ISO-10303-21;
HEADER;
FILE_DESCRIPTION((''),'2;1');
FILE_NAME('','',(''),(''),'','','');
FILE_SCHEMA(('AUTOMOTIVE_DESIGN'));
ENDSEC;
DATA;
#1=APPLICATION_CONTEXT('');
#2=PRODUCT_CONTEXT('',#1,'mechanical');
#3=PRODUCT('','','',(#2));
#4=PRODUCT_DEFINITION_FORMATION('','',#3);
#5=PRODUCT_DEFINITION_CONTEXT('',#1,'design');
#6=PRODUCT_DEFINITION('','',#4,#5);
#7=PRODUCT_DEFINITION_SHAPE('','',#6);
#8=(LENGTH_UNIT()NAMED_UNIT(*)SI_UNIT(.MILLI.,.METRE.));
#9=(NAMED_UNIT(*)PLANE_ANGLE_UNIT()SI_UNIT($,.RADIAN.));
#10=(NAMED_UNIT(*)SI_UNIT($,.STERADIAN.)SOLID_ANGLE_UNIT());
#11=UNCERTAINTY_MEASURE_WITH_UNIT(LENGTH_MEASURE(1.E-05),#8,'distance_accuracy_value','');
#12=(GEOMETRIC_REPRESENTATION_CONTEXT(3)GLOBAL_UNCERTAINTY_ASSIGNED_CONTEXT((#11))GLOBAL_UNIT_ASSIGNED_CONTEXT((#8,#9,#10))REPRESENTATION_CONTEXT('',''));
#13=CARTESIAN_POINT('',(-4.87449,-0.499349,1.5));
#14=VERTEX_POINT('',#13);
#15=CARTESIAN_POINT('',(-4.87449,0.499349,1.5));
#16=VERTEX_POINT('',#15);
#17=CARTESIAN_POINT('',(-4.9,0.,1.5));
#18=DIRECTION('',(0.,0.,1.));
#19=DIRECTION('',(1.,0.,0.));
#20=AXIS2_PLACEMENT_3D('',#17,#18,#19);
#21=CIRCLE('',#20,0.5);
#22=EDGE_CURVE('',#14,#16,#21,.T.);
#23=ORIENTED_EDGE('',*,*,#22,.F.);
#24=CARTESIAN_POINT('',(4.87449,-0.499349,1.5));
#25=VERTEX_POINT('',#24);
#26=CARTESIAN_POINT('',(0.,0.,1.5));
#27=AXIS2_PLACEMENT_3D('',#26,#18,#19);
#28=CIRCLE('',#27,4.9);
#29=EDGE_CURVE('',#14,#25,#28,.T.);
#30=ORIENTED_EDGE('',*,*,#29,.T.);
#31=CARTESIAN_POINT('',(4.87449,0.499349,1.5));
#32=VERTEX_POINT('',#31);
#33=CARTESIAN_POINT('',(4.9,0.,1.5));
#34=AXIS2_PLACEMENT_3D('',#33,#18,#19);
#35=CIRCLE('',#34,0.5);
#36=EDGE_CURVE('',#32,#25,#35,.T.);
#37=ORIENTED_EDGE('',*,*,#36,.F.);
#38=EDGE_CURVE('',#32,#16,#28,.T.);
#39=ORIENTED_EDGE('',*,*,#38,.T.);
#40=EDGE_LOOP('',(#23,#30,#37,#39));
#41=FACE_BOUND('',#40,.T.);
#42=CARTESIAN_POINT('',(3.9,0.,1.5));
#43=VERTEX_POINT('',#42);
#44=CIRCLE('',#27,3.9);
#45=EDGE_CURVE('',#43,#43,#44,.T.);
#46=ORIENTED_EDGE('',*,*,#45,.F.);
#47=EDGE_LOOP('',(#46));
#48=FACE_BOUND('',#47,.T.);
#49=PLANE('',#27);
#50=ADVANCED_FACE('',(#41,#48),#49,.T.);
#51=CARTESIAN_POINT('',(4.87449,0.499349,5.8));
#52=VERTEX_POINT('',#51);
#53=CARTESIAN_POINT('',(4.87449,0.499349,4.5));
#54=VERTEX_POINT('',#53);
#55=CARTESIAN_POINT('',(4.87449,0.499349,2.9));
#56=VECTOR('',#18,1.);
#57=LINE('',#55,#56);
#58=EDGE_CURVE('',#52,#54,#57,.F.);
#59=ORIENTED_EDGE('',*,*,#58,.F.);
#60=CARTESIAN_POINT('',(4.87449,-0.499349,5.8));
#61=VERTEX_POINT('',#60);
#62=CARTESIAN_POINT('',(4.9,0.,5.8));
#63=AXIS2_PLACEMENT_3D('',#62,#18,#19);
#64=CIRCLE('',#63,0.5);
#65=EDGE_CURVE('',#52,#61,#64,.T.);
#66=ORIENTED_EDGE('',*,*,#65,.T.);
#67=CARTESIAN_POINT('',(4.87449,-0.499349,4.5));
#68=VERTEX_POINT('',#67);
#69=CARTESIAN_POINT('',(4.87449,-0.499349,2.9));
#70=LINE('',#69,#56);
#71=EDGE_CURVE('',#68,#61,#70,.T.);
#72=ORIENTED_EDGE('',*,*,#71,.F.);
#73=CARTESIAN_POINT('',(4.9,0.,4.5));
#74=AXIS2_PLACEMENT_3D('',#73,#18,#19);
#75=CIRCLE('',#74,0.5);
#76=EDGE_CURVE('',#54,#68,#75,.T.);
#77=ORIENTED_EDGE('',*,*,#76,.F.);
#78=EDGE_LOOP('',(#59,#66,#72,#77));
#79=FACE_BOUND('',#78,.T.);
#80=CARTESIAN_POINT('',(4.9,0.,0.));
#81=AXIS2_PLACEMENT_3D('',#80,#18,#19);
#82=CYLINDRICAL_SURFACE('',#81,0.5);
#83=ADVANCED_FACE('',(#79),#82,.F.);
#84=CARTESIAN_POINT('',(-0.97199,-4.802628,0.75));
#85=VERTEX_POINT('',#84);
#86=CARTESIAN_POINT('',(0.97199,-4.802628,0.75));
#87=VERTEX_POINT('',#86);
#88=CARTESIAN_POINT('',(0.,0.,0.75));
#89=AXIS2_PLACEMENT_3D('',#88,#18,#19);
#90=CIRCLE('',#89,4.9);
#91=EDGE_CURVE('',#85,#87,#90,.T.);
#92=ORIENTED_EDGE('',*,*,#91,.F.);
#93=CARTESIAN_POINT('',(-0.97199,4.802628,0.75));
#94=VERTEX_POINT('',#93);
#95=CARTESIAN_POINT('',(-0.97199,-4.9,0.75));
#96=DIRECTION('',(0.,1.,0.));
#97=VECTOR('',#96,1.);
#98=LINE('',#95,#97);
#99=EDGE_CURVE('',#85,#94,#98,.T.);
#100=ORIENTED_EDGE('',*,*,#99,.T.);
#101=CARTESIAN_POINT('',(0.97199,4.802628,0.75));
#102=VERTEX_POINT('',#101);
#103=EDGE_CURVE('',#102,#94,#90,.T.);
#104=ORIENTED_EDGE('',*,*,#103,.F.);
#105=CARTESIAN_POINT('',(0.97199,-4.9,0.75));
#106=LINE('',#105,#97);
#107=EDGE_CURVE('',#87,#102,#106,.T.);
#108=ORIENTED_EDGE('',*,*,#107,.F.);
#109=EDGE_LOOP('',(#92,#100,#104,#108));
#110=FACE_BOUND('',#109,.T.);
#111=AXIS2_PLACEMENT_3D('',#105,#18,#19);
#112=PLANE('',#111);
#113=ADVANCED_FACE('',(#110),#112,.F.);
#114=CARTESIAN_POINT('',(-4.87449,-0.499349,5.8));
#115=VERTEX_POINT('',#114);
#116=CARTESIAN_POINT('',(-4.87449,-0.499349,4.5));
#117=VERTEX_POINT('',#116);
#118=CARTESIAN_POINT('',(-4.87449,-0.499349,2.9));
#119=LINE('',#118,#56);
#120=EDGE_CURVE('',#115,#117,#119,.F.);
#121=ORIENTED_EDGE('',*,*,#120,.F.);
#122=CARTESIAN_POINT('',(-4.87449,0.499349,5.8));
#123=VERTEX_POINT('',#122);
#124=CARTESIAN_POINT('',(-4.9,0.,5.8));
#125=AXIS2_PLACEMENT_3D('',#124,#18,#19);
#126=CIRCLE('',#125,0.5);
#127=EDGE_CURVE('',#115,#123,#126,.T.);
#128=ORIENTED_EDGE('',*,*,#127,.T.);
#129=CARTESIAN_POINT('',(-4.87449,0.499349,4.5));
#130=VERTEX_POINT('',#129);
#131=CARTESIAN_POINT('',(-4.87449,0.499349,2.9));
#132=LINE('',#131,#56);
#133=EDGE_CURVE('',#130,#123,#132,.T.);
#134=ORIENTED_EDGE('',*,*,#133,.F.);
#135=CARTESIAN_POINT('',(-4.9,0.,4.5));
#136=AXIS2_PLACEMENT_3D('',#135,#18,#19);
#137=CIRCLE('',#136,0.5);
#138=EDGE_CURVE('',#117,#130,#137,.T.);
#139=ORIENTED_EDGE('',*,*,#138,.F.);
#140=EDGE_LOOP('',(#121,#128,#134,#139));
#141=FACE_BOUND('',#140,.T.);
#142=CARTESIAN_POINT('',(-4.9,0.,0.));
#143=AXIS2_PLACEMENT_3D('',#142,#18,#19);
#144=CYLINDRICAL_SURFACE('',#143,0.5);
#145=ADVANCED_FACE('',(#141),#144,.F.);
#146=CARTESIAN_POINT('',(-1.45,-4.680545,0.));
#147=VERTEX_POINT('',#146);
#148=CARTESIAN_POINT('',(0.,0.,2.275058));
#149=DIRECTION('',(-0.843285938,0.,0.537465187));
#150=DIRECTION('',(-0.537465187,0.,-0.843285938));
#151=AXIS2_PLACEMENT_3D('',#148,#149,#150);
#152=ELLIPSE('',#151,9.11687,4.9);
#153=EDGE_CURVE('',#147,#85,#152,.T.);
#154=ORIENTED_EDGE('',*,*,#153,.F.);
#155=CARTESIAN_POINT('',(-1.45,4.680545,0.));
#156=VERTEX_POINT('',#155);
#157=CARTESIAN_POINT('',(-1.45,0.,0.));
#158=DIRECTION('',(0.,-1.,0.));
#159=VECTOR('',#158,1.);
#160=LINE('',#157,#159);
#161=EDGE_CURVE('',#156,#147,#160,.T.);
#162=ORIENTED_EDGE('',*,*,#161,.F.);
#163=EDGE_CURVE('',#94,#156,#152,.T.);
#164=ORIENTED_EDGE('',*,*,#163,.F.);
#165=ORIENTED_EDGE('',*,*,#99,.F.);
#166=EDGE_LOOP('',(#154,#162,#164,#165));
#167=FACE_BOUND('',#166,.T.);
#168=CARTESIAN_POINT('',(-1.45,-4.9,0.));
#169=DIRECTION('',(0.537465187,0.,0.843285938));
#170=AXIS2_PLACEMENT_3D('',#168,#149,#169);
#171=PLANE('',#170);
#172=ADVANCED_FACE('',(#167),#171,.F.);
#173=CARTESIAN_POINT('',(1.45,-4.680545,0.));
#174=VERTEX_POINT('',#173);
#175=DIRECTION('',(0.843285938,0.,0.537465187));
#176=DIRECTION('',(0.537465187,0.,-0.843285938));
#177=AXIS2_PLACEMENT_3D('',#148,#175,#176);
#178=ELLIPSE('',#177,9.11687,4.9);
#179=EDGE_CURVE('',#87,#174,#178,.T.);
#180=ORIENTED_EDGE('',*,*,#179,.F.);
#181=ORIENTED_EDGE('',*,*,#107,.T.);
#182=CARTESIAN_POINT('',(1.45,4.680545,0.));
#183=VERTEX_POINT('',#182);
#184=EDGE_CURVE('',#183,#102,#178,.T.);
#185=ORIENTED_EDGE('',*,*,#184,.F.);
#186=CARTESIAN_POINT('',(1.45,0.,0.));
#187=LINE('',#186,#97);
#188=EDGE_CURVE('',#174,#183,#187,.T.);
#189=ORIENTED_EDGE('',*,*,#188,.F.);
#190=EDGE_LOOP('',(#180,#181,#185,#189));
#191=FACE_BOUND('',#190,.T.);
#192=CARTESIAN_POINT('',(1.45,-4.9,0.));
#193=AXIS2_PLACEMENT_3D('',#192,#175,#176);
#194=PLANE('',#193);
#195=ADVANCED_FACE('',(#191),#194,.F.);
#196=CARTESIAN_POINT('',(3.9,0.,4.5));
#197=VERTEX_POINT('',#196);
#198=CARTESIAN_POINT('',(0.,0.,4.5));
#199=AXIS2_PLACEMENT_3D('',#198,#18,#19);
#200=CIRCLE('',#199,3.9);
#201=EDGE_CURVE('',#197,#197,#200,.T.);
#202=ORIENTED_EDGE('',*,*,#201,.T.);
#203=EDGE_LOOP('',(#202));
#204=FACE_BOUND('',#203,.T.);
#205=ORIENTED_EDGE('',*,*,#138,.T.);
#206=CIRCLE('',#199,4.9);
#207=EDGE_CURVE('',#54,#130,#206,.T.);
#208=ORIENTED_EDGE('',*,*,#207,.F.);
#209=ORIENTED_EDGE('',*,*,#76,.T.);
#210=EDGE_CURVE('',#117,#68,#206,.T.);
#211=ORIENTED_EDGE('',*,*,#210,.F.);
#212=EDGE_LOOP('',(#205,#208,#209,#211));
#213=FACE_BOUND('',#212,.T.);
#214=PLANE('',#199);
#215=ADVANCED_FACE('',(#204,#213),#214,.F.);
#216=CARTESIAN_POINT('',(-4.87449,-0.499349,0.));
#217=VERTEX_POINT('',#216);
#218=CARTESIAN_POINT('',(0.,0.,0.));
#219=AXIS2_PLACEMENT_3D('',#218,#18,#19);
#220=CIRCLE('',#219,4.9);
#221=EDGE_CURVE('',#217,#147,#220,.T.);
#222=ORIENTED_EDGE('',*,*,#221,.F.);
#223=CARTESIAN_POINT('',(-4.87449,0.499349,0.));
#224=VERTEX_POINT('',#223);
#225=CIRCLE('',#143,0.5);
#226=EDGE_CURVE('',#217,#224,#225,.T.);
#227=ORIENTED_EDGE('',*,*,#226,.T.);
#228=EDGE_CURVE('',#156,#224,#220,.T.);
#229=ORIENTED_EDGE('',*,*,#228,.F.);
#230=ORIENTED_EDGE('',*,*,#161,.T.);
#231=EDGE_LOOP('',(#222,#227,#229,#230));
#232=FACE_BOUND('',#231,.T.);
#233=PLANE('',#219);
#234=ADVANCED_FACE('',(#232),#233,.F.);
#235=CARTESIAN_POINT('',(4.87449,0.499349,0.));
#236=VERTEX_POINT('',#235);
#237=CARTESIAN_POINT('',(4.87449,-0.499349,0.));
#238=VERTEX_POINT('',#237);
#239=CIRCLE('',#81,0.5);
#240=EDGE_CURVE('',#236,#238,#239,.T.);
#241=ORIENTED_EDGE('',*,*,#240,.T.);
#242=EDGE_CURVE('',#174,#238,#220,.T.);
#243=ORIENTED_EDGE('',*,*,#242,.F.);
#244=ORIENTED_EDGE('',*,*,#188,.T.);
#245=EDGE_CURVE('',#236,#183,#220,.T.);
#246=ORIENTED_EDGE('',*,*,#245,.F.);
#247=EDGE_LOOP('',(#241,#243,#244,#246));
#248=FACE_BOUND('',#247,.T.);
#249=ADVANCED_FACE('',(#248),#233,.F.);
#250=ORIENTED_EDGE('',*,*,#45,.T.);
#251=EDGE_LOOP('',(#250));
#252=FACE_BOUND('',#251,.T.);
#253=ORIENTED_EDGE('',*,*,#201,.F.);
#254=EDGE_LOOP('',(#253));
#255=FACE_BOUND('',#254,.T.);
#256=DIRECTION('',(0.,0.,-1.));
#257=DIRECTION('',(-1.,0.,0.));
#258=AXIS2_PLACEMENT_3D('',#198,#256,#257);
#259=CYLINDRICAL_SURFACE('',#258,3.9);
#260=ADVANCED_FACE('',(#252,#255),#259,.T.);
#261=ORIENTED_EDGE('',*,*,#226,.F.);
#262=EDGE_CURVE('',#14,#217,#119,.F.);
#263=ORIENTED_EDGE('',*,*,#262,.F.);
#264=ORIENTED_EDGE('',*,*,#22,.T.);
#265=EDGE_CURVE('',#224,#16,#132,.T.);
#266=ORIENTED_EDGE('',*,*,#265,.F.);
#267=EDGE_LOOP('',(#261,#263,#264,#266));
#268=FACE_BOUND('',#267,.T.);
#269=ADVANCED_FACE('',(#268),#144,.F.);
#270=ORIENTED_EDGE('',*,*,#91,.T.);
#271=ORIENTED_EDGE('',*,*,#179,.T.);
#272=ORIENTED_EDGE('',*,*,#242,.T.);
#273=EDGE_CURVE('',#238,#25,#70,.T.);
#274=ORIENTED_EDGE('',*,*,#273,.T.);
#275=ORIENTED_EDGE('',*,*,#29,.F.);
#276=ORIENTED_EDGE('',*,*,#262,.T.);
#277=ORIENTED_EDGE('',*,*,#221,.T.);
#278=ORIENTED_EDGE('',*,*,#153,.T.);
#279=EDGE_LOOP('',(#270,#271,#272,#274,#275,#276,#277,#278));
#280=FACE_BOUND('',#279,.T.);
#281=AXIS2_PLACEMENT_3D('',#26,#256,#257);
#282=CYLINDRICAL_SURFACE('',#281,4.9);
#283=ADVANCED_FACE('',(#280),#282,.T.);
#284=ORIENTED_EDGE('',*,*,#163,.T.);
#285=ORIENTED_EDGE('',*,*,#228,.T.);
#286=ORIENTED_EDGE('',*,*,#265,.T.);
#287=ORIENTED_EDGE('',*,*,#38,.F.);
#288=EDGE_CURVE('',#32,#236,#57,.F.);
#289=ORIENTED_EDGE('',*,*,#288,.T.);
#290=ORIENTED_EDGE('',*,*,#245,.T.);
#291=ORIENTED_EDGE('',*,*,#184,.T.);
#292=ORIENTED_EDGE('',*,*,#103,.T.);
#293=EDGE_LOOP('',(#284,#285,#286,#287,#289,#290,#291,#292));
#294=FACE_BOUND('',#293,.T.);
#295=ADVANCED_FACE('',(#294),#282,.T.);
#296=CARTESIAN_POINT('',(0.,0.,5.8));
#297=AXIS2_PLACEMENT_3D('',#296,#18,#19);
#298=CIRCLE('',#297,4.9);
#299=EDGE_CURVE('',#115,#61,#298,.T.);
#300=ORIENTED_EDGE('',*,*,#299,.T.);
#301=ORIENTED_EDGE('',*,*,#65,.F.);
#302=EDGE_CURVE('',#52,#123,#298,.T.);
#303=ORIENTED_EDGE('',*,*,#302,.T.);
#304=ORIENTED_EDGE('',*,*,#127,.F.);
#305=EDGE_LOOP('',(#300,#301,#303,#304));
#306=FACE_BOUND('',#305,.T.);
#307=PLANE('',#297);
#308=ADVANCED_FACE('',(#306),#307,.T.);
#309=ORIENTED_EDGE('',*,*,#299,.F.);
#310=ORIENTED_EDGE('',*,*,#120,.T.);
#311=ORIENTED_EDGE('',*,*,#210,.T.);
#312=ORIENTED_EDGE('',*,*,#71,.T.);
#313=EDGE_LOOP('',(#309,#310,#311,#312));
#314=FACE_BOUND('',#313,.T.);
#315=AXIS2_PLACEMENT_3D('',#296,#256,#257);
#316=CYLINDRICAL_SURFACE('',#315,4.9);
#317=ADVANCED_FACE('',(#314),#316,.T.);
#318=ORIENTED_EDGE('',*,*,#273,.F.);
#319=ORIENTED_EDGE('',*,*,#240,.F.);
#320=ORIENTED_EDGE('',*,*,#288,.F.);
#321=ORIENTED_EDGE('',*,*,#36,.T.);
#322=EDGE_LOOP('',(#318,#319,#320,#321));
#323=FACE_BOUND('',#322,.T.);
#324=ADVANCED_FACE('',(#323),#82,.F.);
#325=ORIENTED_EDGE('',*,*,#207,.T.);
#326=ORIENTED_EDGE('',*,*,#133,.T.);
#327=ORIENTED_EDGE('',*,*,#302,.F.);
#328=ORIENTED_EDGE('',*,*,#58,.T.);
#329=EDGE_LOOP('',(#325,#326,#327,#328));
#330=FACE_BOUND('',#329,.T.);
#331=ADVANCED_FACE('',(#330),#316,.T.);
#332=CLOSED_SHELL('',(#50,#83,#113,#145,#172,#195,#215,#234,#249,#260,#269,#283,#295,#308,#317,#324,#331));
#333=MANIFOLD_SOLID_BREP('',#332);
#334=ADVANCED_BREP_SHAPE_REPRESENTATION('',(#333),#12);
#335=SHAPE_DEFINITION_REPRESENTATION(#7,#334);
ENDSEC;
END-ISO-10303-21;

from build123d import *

# Parameters (mm, degrees)
SKETCH_1_R               = 4.9
EXTRUDE_1_DEPTH          = 1.5
SKETCH_3_R               = 3.9
EXTRUDE_2_DEPTH          = 3
SKETCH_4_R               = 4.9
EXTRUDE_3_DEPTH          = 1.3
CUT_EXTRUDE_1_DEPTH      = 10.036592278
CUT_EXTRUDE_1_DEPTH_BACK = 10.036592278
SKETCH_6_R               = 0.5
CUT_EXTRUDE_2_DEPTH      = 10.036592278


with BuildPart() as part:
    # Эскиз1 → Бобышка-Вытянуть1 (new body)
    with BuildSketch(Plane.XY):
        Circle(SKETCH_1_R)
    extrude(amount=EXTRUDE_1_DEPTH)

    # Эскиз3 → Бобышка-Вытянуть2 (add)
    with BuildSketch(Plane.XY.offset(1.5)):
        Circle(SKETCH_3_R)
    extrude(amount=EXTRUDE_2_DEPTH)

    # Эскиз4 → Бобышка-Вытянуть3 (add)
    with BuildSketch(Plane.XY.offset(4.5)):
        Circle(SKETCH_4_R)
    extrude(amount=EXTRUDE_3_DEPTH)

    # Эскиз5 → Вырез-Вытянуть1 (cut, two sides: drawn at the far end of the back side and taken through both)
    with BuildSketch(Plane(origin=(0, 0, 0), x_dir=(1, 0, 0), z_dir=(0, 1, 0)).offset(-CUT_EXTRUDE_1_DEPTH_BACK)):
        Polygon((1.45, 0), (0.971990262, -0.75), (-0.971990262, -0.75), (-1.45, 0), (-1.45, 0.521018793), (1.45, 0.521018793), align=None)
    extrude(amount=CUT_EXTRUDE_1_DEPTH + CUT_EXTRUDE_1_DEPTH_BACK, mode=Mode.SUBTRACT)

    # Эскиз6 → Вырез-Вытянуть2 (cut, through all)
    with BuildSketch(Plane.XY.offset(5.8)):
        with Locations((-4.9, 0)):
            Circle(SKETCH_6_R)
        with Locations((4.9, 0)):
            Circle(SKETCH_6_R)
    extrude(amount=-CUT_EXTRUDE_2_DEPTH, mode=Mode.SUBTRACT)


solid = part.part
